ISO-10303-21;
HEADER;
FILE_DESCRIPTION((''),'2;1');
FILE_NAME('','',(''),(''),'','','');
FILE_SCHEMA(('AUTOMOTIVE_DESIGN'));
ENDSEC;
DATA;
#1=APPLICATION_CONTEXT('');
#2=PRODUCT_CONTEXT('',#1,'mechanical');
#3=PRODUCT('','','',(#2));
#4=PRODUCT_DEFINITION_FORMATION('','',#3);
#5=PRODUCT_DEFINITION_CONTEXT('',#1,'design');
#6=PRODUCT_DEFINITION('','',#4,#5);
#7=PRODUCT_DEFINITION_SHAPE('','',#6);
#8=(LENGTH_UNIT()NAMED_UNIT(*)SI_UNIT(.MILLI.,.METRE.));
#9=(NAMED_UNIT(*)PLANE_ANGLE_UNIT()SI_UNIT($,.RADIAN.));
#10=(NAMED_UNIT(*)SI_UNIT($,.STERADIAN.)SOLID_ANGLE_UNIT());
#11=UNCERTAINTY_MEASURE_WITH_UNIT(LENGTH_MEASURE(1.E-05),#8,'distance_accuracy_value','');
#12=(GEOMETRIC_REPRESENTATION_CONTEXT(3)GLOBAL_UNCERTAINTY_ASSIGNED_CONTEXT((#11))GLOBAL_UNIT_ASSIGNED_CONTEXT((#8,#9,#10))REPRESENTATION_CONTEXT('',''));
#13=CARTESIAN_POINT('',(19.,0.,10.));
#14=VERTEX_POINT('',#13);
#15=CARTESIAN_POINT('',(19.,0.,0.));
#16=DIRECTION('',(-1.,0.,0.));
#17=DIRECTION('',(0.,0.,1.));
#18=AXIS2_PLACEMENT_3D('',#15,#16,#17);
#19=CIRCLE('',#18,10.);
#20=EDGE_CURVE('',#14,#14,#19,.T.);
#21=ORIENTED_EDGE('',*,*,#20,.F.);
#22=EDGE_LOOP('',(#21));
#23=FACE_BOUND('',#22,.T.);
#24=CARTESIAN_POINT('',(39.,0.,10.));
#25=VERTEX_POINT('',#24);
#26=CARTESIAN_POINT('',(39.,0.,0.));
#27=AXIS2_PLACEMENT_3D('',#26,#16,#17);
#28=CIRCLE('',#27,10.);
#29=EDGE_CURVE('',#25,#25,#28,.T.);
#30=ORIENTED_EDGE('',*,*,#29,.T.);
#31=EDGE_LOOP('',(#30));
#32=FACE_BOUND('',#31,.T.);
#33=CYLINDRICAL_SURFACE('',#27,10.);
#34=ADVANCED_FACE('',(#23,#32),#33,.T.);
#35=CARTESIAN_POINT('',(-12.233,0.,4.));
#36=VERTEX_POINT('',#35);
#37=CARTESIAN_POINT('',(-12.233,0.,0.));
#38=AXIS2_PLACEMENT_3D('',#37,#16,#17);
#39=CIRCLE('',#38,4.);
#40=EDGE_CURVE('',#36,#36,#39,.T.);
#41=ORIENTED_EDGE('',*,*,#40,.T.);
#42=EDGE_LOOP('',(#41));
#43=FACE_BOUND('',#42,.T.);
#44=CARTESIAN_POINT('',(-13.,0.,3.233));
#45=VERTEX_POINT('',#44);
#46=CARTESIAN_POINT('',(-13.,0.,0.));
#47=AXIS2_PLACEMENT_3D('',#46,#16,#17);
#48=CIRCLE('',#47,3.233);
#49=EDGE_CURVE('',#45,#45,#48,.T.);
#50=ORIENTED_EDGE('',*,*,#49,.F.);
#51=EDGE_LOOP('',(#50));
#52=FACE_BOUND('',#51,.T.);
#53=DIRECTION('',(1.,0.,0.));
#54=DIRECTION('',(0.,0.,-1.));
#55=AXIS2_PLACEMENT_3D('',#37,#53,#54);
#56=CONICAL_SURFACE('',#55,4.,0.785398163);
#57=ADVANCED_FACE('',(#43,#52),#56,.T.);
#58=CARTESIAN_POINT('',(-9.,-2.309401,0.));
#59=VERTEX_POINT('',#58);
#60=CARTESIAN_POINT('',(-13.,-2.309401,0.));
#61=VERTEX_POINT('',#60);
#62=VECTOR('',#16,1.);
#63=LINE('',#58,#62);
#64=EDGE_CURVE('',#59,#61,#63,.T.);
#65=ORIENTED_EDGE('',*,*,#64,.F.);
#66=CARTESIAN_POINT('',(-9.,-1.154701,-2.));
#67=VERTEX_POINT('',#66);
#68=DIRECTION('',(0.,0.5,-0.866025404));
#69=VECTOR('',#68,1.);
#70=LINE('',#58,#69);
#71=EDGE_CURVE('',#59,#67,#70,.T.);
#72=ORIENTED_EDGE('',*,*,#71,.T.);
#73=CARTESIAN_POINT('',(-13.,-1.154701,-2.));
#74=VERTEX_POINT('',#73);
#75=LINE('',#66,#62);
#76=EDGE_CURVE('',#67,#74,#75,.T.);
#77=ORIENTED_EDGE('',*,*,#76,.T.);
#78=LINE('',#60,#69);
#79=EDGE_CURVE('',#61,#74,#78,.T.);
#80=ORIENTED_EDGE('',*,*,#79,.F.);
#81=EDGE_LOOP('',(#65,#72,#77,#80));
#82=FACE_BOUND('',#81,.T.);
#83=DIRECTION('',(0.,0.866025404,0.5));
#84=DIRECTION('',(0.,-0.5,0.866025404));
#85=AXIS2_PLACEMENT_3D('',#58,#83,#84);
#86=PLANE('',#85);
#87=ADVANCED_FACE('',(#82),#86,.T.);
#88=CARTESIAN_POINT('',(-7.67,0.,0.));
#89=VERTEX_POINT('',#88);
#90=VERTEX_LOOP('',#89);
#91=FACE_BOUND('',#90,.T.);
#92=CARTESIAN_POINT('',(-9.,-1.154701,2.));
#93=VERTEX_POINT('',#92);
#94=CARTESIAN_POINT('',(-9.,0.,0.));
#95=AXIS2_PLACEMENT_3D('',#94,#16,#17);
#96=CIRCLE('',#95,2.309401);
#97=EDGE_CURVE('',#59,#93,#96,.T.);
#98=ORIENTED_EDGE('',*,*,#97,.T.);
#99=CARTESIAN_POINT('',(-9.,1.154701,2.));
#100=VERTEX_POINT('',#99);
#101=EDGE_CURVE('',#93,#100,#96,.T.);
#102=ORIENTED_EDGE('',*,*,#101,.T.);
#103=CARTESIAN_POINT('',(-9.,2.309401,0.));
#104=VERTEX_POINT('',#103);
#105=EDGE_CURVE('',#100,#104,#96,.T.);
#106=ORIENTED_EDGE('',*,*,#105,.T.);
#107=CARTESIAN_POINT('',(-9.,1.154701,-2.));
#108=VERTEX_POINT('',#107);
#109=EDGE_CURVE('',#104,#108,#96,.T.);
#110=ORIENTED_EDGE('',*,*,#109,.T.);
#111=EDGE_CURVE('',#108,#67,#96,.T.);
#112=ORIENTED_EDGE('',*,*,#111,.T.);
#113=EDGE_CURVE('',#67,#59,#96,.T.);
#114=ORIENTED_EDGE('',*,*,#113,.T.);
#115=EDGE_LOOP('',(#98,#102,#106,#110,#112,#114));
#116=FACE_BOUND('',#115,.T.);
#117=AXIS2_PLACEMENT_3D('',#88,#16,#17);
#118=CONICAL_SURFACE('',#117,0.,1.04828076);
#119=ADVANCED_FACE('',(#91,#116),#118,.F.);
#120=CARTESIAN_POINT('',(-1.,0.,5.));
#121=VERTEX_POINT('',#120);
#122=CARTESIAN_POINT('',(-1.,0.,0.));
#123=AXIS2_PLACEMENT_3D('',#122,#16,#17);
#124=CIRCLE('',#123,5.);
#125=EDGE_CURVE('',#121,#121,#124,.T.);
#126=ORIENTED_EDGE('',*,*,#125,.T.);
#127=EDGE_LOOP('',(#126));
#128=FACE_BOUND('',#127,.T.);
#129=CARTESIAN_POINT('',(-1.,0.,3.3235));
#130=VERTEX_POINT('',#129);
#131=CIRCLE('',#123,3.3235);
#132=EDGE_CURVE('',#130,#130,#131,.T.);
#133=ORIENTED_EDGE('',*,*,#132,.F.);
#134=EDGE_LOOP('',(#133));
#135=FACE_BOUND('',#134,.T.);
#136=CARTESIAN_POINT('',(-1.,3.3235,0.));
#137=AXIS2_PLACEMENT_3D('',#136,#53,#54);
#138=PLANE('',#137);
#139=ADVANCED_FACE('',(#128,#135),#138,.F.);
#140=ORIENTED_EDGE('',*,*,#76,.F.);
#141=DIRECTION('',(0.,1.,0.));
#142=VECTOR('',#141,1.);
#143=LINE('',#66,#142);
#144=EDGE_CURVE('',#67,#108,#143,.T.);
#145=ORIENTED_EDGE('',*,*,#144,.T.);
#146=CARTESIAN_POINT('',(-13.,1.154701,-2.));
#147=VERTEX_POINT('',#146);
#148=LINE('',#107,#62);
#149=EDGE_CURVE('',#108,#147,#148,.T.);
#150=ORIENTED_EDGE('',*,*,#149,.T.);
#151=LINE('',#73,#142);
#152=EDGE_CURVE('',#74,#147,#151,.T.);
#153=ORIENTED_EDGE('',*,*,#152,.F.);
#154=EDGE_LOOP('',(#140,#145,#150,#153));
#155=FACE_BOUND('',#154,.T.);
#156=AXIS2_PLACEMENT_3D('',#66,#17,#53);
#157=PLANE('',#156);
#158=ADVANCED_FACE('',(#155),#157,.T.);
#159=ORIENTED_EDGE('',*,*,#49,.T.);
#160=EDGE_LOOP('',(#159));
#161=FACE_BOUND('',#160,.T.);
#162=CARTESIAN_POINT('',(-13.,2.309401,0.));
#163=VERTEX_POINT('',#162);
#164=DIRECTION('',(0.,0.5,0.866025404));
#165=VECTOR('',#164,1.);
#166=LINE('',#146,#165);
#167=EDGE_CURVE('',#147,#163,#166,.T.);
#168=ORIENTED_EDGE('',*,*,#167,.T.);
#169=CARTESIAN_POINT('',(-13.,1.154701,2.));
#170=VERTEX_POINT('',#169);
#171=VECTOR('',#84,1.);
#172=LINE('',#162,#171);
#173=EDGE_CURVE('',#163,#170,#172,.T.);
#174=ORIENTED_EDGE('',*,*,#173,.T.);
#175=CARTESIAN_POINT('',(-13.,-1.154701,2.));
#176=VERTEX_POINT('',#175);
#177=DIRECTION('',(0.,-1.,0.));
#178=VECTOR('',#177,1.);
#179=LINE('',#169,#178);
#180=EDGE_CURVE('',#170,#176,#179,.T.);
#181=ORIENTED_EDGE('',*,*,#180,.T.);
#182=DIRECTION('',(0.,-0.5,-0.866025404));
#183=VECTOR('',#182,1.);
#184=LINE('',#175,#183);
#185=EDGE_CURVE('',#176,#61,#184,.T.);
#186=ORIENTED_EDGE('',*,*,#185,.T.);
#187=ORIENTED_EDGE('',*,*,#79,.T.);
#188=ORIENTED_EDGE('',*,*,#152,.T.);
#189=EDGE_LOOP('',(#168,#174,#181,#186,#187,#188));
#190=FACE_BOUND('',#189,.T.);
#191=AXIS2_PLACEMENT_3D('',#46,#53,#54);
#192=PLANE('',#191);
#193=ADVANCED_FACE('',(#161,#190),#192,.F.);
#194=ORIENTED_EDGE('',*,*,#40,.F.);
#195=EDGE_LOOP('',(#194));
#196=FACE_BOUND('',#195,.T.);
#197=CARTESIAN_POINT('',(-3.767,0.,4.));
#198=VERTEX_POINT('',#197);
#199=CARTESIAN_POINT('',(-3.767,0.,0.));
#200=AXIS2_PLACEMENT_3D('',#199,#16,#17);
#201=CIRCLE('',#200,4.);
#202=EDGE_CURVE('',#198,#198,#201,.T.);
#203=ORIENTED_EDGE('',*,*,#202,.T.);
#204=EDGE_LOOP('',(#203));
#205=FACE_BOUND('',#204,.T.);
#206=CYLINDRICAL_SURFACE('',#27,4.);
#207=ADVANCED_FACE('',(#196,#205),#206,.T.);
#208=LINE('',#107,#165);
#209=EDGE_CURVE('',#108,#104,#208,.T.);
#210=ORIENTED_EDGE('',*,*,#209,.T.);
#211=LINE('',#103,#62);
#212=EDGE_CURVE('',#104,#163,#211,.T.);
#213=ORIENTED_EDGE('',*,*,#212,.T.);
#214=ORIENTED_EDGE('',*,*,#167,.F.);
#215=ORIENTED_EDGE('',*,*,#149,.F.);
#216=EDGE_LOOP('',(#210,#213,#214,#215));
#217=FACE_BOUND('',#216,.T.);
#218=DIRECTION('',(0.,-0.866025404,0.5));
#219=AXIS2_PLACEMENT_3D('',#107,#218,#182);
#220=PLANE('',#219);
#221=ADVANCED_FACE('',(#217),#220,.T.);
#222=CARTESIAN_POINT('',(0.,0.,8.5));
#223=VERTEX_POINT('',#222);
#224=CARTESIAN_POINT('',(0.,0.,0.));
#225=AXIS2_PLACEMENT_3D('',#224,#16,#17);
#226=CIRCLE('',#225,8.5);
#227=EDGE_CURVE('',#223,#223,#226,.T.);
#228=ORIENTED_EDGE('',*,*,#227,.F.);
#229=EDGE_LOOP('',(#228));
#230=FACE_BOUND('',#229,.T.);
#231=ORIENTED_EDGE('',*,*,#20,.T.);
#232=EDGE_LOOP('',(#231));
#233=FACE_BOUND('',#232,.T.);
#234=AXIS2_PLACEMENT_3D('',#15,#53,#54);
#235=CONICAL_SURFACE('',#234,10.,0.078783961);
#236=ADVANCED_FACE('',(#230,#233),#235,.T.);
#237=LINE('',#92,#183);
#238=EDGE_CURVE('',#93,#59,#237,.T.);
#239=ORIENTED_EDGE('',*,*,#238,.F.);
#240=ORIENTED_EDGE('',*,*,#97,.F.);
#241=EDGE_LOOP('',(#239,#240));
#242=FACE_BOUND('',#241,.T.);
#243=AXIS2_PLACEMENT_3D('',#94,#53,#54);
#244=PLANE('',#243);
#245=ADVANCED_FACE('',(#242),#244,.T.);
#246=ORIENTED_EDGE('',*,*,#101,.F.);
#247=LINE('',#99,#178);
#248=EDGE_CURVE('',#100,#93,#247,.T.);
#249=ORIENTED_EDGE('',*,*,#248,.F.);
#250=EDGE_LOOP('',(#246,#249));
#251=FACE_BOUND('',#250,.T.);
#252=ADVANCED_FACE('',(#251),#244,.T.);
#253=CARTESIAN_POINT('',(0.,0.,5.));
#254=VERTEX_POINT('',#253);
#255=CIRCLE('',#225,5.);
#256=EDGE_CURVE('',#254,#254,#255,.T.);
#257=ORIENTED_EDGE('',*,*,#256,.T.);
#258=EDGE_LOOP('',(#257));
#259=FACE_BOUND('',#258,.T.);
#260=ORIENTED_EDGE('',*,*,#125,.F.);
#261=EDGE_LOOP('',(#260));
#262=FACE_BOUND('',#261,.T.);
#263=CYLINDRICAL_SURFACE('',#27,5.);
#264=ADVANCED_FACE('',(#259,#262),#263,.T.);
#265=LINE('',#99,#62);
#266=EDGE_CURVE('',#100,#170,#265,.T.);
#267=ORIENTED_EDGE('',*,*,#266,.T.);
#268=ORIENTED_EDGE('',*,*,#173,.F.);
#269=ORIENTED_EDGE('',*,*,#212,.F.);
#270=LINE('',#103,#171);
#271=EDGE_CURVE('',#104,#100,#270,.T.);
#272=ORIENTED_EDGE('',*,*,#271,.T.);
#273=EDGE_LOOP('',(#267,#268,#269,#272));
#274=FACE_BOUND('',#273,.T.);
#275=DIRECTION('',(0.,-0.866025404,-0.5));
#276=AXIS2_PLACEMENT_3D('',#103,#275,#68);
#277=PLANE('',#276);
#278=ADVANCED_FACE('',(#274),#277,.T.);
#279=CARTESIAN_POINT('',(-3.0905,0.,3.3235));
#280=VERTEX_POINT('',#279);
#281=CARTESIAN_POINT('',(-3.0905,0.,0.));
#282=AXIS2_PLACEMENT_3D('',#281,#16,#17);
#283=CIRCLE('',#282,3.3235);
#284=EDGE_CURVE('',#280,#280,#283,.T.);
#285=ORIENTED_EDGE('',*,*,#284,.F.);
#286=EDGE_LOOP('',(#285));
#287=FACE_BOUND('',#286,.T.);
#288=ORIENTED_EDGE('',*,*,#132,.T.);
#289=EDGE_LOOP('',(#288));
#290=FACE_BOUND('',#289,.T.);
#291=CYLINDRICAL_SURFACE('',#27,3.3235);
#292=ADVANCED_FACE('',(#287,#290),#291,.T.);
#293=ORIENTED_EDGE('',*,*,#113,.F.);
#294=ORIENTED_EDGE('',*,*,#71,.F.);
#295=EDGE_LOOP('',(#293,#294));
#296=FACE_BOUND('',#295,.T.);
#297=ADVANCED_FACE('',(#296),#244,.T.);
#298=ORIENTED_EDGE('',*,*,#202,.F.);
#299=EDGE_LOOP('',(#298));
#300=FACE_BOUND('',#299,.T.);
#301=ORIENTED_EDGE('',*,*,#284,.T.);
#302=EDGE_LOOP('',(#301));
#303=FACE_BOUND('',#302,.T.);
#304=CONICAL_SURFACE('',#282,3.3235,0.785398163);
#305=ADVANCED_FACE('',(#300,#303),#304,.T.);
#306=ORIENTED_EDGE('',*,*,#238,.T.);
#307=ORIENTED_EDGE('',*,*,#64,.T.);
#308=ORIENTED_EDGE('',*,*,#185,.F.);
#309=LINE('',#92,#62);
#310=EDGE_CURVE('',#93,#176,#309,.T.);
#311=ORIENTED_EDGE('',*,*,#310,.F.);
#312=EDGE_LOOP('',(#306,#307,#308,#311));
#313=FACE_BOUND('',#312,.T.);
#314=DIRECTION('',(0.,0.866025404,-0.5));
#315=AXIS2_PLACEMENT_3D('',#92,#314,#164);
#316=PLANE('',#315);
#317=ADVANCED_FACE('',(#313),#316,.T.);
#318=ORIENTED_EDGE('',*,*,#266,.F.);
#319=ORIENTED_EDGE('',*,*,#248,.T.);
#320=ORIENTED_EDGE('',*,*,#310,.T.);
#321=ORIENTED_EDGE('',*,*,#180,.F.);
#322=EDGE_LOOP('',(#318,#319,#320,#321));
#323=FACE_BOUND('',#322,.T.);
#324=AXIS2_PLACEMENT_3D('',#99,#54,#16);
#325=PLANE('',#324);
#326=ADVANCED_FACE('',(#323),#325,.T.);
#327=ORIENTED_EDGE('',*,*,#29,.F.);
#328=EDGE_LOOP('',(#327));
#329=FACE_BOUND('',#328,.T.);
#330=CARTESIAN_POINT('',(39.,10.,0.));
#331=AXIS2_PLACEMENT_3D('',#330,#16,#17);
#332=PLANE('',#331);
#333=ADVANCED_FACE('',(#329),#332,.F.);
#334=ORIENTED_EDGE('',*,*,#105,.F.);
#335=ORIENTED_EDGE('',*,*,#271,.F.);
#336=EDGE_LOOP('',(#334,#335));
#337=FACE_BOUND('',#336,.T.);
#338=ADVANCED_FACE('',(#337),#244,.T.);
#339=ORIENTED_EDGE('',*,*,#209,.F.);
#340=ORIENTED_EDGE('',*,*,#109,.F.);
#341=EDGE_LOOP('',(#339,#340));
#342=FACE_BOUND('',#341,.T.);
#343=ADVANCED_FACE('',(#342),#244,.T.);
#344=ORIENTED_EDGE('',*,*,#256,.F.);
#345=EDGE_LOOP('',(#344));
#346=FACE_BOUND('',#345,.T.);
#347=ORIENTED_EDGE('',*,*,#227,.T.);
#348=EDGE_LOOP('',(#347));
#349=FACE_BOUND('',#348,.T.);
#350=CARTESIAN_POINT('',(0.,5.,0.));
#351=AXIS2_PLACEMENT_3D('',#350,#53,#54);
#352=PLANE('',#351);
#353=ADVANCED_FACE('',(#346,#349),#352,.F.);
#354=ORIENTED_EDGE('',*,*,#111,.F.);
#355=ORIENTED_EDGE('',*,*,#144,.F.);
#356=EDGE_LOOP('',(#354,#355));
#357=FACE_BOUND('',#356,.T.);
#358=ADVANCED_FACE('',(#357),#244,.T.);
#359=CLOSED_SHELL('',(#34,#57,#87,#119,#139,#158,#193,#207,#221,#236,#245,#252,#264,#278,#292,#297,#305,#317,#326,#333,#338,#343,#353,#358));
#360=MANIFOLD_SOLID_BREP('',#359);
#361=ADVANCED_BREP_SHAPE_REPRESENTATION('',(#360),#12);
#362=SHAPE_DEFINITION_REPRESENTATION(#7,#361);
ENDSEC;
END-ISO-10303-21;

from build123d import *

# Parameters (mm, degrees)
CUT_EXTRUDE_1_DEPTH = 4


with BuildPart() as part:
    # 草图1 → 旋转1 (revolve)
    with BuildSketch(Plane.XY):
        Polygon((-13, 0), (-13, 3.233), (-12.233, 4), (-3.767, 4), (-3.0905, 3.3235), (-1, 3.3235), (-1, 5), (0, 5), (0, 8.5), (19, 10), (39, 10), (39, 0), align=None)
    revolve(axis=Axis((39, 0, 0), (-1, 0, 0)))

    # 草图2 → 切除-拉伸1 (cut)
    with BuildSketch(Plane(origin=(-13, 0, 0), x_dir=(0, 0, -1), z_dir=(1, 0, 0))):
        Polygon((-2, 1.154700538), (-2, -1.154700538), (0, -2.309401077), (2, -1.154700538), (2, 1.154700538), (0, 2.309401077), align=None)
    extrude(amount=CUT_EXTRUDE_1_DEPTH, mode=Mode.SUBTRACT)

    # 草图3 → 切除-旋转1 (revolve, cut)
    with BuildSketch(Plane.XY):
        Polygon((-9, 0), (-9, 2.309401077), (-7.67, 0), align=None)
    revolve(axis=Axis((-7.67, 0, 0), (-1, 0, 0)), mode=Mode.SUBTRACT)


solid = part.part
